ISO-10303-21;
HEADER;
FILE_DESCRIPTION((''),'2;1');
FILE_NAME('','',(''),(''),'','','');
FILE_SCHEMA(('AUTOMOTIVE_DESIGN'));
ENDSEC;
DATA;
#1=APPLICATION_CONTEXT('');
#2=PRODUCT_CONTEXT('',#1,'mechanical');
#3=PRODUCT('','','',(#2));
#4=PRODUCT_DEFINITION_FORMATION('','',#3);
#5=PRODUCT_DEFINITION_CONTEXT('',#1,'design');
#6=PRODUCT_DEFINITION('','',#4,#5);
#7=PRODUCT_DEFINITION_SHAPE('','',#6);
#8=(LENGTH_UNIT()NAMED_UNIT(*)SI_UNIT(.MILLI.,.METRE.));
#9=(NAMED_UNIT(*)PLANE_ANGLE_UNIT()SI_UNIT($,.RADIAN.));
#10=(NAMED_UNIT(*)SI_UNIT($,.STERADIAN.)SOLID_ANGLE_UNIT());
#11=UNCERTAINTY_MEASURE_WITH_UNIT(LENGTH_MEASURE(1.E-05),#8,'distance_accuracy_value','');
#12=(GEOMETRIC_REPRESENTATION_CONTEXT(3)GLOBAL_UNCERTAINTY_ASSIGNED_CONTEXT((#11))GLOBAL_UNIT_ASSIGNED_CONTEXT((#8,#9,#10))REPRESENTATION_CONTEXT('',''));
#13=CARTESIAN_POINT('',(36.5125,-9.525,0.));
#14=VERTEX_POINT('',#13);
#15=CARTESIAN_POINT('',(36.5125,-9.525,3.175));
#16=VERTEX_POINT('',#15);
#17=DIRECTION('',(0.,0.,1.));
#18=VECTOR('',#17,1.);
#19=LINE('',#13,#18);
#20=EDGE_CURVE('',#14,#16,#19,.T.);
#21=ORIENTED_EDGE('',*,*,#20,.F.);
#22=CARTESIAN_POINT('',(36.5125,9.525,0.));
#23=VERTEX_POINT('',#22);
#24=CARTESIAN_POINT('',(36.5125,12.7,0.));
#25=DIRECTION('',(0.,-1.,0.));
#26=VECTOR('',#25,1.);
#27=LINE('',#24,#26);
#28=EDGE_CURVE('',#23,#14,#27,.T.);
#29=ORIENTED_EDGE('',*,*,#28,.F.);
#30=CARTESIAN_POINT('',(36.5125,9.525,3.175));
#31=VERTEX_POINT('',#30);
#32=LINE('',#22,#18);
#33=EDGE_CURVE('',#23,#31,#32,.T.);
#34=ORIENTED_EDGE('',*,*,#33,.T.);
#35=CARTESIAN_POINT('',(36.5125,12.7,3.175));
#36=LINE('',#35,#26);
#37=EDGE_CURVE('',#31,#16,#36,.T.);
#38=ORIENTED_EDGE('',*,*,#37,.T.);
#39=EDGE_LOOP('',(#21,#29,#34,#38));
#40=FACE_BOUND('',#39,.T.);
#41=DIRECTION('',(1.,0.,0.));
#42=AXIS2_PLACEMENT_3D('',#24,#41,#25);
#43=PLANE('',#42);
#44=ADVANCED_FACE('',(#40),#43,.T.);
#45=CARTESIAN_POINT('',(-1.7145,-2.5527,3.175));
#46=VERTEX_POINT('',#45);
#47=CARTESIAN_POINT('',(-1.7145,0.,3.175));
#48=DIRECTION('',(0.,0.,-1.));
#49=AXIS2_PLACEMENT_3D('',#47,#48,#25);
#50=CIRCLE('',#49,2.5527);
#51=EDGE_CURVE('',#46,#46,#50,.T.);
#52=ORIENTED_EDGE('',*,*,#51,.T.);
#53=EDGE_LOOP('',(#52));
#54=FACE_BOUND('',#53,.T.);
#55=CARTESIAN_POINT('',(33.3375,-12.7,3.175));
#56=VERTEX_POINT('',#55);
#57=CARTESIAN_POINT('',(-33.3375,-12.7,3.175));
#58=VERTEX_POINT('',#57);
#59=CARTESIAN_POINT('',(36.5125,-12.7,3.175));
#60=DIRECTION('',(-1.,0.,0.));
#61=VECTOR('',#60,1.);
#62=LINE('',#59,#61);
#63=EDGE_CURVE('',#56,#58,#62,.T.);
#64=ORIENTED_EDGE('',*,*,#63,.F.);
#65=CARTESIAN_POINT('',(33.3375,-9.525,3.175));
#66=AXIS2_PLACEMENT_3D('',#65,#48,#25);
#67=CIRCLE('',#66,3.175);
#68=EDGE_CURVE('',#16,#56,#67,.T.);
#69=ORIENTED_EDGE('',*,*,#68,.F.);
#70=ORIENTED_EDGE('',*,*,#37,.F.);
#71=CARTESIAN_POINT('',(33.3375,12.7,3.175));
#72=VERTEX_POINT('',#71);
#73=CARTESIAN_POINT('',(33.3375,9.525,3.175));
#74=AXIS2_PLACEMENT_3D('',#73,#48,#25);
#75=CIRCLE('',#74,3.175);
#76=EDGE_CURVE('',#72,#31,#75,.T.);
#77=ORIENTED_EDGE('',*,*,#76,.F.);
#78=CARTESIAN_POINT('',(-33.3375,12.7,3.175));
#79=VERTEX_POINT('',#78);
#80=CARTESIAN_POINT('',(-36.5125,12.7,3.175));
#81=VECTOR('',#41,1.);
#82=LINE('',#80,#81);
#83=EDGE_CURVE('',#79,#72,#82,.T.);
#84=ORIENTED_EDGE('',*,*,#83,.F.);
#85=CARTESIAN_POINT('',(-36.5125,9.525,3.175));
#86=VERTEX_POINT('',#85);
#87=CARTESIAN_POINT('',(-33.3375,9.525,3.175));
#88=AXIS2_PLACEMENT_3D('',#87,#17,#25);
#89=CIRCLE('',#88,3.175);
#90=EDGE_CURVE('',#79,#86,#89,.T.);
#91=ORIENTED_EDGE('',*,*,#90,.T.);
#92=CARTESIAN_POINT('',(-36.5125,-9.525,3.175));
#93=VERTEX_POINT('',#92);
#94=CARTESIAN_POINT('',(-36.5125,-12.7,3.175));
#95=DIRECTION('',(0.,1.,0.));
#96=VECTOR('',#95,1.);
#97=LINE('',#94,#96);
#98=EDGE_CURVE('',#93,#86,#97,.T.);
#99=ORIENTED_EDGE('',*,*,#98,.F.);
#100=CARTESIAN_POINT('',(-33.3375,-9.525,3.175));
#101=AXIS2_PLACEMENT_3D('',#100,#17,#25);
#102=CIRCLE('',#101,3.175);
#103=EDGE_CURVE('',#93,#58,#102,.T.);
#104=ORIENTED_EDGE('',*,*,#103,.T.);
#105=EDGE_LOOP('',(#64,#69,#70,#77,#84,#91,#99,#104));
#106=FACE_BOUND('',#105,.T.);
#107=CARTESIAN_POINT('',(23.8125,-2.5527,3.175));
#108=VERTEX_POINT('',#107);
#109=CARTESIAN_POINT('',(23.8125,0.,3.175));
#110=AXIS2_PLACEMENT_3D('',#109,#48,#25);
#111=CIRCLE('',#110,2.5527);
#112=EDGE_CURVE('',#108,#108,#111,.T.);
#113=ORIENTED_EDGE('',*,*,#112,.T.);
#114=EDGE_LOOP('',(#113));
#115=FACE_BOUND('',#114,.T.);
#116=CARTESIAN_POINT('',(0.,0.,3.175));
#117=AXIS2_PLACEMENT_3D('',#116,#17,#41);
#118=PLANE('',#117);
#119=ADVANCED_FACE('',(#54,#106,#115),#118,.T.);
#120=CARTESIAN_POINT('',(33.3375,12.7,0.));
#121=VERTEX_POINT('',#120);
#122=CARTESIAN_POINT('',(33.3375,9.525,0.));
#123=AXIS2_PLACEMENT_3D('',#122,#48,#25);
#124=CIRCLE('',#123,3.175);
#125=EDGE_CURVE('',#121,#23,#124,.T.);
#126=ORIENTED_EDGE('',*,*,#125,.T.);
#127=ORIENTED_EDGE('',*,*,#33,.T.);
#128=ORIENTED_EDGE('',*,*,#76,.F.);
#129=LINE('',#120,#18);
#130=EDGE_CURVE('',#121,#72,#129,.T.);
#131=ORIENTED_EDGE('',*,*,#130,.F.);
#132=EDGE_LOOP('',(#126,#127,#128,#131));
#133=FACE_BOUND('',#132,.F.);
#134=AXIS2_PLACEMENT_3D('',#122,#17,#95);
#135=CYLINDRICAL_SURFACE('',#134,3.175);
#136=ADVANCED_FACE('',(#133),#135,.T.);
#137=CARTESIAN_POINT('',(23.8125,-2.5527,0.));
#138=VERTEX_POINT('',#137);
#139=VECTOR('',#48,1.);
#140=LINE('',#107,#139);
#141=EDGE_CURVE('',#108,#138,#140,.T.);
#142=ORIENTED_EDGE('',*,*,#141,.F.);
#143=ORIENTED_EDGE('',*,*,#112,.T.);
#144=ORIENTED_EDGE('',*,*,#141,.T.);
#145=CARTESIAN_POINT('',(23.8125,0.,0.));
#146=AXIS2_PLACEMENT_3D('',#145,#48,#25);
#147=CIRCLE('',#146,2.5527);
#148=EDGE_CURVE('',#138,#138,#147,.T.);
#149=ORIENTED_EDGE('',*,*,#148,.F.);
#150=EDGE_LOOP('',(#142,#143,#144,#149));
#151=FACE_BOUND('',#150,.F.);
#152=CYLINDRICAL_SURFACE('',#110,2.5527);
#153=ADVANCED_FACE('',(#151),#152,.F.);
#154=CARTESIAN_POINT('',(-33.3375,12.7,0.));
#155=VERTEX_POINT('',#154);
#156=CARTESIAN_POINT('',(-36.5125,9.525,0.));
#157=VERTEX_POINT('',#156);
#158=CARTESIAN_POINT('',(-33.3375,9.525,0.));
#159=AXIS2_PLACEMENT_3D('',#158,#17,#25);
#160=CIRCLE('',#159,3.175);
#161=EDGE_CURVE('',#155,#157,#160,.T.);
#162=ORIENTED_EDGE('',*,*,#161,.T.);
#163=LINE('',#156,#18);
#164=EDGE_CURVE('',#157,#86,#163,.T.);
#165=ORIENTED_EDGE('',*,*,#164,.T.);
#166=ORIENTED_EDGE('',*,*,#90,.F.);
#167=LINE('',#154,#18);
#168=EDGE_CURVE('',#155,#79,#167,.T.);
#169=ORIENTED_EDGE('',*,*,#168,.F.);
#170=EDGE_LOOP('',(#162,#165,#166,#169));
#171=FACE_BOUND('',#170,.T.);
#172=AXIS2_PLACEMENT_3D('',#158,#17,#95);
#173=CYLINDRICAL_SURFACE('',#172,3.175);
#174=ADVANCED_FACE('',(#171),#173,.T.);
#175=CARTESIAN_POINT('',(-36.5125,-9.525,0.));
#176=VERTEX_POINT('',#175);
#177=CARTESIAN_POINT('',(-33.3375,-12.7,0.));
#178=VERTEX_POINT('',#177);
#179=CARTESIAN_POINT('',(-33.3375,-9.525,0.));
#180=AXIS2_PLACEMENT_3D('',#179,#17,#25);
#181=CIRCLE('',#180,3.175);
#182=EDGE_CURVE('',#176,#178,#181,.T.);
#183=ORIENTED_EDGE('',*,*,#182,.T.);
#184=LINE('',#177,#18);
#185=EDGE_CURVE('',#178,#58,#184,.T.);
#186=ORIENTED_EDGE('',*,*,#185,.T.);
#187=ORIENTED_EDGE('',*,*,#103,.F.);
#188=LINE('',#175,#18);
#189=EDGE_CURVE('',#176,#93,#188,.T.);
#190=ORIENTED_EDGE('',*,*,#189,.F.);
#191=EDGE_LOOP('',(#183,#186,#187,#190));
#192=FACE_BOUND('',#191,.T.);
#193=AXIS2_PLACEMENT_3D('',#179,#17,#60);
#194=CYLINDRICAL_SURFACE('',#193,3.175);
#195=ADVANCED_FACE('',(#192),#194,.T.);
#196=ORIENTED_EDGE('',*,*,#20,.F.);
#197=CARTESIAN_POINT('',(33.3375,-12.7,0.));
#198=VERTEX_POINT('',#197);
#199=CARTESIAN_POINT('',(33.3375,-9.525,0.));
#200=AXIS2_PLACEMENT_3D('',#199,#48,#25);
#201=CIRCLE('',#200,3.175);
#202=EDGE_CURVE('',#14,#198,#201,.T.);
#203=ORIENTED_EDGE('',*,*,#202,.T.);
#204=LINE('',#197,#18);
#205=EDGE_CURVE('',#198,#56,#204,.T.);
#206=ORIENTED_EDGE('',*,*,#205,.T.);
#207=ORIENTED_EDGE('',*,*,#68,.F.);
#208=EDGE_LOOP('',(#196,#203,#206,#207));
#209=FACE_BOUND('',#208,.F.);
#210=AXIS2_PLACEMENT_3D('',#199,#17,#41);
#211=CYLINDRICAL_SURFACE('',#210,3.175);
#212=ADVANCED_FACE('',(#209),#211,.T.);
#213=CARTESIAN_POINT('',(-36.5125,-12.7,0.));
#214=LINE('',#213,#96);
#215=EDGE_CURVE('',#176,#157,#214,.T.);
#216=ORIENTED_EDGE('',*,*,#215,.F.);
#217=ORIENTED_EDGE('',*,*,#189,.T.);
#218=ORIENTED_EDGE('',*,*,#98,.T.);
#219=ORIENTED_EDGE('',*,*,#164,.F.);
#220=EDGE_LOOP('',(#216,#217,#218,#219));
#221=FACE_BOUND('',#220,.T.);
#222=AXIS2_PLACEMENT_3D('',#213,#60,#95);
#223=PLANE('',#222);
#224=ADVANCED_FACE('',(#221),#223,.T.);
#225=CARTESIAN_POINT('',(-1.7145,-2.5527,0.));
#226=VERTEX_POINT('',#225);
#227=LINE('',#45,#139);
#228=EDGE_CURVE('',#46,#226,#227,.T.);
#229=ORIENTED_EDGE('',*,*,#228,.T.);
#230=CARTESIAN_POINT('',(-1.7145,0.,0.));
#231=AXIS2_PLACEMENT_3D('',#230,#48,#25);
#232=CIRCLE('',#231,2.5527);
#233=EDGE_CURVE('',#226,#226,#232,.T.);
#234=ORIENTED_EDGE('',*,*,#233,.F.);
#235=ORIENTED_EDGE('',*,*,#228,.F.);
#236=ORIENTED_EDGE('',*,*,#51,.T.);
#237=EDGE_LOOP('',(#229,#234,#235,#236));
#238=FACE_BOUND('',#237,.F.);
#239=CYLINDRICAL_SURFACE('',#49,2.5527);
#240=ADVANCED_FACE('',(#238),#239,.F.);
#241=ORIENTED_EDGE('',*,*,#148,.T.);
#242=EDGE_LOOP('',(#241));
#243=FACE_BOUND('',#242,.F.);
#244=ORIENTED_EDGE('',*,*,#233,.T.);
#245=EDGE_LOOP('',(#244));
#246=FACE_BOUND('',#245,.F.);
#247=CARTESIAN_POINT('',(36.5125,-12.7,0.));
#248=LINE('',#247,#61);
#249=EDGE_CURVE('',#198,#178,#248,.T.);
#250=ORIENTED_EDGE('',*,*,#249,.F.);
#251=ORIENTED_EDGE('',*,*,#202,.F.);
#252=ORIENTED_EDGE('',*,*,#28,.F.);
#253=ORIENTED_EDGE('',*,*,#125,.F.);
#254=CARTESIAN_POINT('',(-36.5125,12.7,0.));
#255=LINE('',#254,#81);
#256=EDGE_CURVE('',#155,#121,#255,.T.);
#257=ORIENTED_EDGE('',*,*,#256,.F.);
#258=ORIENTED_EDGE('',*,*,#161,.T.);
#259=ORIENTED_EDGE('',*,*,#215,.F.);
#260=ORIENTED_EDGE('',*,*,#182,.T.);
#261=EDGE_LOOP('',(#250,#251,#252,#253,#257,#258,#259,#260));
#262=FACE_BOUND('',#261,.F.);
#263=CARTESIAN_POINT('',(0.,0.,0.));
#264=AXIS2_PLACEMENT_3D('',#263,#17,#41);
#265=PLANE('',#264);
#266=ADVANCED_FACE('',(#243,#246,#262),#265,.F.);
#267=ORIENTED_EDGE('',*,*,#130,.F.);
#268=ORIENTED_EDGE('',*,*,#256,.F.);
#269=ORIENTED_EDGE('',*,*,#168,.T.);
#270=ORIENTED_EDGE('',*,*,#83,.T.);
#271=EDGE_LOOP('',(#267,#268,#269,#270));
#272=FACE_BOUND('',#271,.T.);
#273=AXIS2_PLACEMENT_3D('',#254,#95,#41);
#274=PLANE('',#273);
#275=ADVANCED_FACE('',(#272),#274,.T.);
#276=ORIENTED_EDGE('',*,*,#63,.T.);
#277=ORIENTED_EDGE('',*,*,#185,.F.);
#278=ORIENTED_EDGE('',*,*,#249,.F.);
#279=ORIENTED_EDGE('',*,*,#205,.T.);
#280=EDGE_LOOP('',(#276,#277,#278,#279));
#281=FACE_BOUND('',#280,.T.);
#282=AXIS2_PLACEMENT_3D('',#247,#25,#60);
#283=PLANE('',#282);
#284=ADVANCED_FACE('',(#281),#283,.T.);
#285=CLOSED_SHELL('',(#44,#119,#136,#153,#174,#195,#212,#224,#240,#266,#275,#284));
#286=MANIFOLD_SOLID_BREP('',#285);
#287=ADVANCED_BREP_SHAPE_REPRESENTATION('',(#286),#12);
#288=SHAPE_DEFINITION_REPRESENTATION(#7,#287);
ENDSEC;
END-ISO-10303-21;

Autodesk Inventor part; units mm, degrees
ref_plane "YZ Plane" through (0, 0, 0) normal (1, 0, 0) x (0, 1, 0)
ref_plane "XZ Plane" through (0, 0, 0) normal (0, 1, 0) x (-1, 0, 0)
ref_plane "XY Plane" through (0, 0, 0) normal (0, 0, 1) x (1, 0, 0)
sketch "Sketch1" plane through (0, 0, 0) normal (0, 0, 1) x (1, 0, 0)
  line L0 (-36.5125, 12.7) -> (36.5125, 12.7)
  line L1 (36.5125, 12.7) -> (36.5125, -12.7)
  line L2 (36.5125, -12.7) -> (-36.5125, -12.7)
  line L3 (-36.5125, -12.7) -> (-36.5125, 12.7)
  line L4 (-36.5125, 12.7) -> (36.5125, -12.7) construction
  line L5 (36.5125, 12.7) -> (-36.5125, -12.7) construction
  point P0 (0, 0)
  dimension "d15" = 73.025
  dimension "d16" = 25.4
extrude "Extrusion1" add sketch "Sketch1" along normal blind 3.175
sketch "Sketch3" plane through (0, 0, 3.175) normal (0, 0, 1) x (1, 0, 0)
  line L0 (-36.5125, 12.7) -> (-36.5125, -12.7) projected
  line L1 (36.5125, -12.7) -> (36.5125, 12.7) projected
  point P0 (0, 0)
  point P1 (23.8125, 0)
  point P2 (-1.7145, 0)
  point P3 (36.5125, 0)
  dimension "d17" = 25.527
  dimension "d27" = 12.7
hole "Hole2" at (23.8125, 0, 3.175) at (-1.7145, 0, 3.175) direction (0, 0, -1) diameter 5.1054 end through all clearance for "Flat Head Machine Screw (82)" size "#10" standard "Ansi Unified Screw Threads"
fillet "Fillet2" radius 3.175 4 edges at (-36.5125, 12.7, 1.5875) (-36.5125, -12.7, 1.5875) (36.5125, 12.7, 1.5875) (36.5125, -12.7, 1.5875)
properties part number "EL2-016" material "Aluminum 6061"
